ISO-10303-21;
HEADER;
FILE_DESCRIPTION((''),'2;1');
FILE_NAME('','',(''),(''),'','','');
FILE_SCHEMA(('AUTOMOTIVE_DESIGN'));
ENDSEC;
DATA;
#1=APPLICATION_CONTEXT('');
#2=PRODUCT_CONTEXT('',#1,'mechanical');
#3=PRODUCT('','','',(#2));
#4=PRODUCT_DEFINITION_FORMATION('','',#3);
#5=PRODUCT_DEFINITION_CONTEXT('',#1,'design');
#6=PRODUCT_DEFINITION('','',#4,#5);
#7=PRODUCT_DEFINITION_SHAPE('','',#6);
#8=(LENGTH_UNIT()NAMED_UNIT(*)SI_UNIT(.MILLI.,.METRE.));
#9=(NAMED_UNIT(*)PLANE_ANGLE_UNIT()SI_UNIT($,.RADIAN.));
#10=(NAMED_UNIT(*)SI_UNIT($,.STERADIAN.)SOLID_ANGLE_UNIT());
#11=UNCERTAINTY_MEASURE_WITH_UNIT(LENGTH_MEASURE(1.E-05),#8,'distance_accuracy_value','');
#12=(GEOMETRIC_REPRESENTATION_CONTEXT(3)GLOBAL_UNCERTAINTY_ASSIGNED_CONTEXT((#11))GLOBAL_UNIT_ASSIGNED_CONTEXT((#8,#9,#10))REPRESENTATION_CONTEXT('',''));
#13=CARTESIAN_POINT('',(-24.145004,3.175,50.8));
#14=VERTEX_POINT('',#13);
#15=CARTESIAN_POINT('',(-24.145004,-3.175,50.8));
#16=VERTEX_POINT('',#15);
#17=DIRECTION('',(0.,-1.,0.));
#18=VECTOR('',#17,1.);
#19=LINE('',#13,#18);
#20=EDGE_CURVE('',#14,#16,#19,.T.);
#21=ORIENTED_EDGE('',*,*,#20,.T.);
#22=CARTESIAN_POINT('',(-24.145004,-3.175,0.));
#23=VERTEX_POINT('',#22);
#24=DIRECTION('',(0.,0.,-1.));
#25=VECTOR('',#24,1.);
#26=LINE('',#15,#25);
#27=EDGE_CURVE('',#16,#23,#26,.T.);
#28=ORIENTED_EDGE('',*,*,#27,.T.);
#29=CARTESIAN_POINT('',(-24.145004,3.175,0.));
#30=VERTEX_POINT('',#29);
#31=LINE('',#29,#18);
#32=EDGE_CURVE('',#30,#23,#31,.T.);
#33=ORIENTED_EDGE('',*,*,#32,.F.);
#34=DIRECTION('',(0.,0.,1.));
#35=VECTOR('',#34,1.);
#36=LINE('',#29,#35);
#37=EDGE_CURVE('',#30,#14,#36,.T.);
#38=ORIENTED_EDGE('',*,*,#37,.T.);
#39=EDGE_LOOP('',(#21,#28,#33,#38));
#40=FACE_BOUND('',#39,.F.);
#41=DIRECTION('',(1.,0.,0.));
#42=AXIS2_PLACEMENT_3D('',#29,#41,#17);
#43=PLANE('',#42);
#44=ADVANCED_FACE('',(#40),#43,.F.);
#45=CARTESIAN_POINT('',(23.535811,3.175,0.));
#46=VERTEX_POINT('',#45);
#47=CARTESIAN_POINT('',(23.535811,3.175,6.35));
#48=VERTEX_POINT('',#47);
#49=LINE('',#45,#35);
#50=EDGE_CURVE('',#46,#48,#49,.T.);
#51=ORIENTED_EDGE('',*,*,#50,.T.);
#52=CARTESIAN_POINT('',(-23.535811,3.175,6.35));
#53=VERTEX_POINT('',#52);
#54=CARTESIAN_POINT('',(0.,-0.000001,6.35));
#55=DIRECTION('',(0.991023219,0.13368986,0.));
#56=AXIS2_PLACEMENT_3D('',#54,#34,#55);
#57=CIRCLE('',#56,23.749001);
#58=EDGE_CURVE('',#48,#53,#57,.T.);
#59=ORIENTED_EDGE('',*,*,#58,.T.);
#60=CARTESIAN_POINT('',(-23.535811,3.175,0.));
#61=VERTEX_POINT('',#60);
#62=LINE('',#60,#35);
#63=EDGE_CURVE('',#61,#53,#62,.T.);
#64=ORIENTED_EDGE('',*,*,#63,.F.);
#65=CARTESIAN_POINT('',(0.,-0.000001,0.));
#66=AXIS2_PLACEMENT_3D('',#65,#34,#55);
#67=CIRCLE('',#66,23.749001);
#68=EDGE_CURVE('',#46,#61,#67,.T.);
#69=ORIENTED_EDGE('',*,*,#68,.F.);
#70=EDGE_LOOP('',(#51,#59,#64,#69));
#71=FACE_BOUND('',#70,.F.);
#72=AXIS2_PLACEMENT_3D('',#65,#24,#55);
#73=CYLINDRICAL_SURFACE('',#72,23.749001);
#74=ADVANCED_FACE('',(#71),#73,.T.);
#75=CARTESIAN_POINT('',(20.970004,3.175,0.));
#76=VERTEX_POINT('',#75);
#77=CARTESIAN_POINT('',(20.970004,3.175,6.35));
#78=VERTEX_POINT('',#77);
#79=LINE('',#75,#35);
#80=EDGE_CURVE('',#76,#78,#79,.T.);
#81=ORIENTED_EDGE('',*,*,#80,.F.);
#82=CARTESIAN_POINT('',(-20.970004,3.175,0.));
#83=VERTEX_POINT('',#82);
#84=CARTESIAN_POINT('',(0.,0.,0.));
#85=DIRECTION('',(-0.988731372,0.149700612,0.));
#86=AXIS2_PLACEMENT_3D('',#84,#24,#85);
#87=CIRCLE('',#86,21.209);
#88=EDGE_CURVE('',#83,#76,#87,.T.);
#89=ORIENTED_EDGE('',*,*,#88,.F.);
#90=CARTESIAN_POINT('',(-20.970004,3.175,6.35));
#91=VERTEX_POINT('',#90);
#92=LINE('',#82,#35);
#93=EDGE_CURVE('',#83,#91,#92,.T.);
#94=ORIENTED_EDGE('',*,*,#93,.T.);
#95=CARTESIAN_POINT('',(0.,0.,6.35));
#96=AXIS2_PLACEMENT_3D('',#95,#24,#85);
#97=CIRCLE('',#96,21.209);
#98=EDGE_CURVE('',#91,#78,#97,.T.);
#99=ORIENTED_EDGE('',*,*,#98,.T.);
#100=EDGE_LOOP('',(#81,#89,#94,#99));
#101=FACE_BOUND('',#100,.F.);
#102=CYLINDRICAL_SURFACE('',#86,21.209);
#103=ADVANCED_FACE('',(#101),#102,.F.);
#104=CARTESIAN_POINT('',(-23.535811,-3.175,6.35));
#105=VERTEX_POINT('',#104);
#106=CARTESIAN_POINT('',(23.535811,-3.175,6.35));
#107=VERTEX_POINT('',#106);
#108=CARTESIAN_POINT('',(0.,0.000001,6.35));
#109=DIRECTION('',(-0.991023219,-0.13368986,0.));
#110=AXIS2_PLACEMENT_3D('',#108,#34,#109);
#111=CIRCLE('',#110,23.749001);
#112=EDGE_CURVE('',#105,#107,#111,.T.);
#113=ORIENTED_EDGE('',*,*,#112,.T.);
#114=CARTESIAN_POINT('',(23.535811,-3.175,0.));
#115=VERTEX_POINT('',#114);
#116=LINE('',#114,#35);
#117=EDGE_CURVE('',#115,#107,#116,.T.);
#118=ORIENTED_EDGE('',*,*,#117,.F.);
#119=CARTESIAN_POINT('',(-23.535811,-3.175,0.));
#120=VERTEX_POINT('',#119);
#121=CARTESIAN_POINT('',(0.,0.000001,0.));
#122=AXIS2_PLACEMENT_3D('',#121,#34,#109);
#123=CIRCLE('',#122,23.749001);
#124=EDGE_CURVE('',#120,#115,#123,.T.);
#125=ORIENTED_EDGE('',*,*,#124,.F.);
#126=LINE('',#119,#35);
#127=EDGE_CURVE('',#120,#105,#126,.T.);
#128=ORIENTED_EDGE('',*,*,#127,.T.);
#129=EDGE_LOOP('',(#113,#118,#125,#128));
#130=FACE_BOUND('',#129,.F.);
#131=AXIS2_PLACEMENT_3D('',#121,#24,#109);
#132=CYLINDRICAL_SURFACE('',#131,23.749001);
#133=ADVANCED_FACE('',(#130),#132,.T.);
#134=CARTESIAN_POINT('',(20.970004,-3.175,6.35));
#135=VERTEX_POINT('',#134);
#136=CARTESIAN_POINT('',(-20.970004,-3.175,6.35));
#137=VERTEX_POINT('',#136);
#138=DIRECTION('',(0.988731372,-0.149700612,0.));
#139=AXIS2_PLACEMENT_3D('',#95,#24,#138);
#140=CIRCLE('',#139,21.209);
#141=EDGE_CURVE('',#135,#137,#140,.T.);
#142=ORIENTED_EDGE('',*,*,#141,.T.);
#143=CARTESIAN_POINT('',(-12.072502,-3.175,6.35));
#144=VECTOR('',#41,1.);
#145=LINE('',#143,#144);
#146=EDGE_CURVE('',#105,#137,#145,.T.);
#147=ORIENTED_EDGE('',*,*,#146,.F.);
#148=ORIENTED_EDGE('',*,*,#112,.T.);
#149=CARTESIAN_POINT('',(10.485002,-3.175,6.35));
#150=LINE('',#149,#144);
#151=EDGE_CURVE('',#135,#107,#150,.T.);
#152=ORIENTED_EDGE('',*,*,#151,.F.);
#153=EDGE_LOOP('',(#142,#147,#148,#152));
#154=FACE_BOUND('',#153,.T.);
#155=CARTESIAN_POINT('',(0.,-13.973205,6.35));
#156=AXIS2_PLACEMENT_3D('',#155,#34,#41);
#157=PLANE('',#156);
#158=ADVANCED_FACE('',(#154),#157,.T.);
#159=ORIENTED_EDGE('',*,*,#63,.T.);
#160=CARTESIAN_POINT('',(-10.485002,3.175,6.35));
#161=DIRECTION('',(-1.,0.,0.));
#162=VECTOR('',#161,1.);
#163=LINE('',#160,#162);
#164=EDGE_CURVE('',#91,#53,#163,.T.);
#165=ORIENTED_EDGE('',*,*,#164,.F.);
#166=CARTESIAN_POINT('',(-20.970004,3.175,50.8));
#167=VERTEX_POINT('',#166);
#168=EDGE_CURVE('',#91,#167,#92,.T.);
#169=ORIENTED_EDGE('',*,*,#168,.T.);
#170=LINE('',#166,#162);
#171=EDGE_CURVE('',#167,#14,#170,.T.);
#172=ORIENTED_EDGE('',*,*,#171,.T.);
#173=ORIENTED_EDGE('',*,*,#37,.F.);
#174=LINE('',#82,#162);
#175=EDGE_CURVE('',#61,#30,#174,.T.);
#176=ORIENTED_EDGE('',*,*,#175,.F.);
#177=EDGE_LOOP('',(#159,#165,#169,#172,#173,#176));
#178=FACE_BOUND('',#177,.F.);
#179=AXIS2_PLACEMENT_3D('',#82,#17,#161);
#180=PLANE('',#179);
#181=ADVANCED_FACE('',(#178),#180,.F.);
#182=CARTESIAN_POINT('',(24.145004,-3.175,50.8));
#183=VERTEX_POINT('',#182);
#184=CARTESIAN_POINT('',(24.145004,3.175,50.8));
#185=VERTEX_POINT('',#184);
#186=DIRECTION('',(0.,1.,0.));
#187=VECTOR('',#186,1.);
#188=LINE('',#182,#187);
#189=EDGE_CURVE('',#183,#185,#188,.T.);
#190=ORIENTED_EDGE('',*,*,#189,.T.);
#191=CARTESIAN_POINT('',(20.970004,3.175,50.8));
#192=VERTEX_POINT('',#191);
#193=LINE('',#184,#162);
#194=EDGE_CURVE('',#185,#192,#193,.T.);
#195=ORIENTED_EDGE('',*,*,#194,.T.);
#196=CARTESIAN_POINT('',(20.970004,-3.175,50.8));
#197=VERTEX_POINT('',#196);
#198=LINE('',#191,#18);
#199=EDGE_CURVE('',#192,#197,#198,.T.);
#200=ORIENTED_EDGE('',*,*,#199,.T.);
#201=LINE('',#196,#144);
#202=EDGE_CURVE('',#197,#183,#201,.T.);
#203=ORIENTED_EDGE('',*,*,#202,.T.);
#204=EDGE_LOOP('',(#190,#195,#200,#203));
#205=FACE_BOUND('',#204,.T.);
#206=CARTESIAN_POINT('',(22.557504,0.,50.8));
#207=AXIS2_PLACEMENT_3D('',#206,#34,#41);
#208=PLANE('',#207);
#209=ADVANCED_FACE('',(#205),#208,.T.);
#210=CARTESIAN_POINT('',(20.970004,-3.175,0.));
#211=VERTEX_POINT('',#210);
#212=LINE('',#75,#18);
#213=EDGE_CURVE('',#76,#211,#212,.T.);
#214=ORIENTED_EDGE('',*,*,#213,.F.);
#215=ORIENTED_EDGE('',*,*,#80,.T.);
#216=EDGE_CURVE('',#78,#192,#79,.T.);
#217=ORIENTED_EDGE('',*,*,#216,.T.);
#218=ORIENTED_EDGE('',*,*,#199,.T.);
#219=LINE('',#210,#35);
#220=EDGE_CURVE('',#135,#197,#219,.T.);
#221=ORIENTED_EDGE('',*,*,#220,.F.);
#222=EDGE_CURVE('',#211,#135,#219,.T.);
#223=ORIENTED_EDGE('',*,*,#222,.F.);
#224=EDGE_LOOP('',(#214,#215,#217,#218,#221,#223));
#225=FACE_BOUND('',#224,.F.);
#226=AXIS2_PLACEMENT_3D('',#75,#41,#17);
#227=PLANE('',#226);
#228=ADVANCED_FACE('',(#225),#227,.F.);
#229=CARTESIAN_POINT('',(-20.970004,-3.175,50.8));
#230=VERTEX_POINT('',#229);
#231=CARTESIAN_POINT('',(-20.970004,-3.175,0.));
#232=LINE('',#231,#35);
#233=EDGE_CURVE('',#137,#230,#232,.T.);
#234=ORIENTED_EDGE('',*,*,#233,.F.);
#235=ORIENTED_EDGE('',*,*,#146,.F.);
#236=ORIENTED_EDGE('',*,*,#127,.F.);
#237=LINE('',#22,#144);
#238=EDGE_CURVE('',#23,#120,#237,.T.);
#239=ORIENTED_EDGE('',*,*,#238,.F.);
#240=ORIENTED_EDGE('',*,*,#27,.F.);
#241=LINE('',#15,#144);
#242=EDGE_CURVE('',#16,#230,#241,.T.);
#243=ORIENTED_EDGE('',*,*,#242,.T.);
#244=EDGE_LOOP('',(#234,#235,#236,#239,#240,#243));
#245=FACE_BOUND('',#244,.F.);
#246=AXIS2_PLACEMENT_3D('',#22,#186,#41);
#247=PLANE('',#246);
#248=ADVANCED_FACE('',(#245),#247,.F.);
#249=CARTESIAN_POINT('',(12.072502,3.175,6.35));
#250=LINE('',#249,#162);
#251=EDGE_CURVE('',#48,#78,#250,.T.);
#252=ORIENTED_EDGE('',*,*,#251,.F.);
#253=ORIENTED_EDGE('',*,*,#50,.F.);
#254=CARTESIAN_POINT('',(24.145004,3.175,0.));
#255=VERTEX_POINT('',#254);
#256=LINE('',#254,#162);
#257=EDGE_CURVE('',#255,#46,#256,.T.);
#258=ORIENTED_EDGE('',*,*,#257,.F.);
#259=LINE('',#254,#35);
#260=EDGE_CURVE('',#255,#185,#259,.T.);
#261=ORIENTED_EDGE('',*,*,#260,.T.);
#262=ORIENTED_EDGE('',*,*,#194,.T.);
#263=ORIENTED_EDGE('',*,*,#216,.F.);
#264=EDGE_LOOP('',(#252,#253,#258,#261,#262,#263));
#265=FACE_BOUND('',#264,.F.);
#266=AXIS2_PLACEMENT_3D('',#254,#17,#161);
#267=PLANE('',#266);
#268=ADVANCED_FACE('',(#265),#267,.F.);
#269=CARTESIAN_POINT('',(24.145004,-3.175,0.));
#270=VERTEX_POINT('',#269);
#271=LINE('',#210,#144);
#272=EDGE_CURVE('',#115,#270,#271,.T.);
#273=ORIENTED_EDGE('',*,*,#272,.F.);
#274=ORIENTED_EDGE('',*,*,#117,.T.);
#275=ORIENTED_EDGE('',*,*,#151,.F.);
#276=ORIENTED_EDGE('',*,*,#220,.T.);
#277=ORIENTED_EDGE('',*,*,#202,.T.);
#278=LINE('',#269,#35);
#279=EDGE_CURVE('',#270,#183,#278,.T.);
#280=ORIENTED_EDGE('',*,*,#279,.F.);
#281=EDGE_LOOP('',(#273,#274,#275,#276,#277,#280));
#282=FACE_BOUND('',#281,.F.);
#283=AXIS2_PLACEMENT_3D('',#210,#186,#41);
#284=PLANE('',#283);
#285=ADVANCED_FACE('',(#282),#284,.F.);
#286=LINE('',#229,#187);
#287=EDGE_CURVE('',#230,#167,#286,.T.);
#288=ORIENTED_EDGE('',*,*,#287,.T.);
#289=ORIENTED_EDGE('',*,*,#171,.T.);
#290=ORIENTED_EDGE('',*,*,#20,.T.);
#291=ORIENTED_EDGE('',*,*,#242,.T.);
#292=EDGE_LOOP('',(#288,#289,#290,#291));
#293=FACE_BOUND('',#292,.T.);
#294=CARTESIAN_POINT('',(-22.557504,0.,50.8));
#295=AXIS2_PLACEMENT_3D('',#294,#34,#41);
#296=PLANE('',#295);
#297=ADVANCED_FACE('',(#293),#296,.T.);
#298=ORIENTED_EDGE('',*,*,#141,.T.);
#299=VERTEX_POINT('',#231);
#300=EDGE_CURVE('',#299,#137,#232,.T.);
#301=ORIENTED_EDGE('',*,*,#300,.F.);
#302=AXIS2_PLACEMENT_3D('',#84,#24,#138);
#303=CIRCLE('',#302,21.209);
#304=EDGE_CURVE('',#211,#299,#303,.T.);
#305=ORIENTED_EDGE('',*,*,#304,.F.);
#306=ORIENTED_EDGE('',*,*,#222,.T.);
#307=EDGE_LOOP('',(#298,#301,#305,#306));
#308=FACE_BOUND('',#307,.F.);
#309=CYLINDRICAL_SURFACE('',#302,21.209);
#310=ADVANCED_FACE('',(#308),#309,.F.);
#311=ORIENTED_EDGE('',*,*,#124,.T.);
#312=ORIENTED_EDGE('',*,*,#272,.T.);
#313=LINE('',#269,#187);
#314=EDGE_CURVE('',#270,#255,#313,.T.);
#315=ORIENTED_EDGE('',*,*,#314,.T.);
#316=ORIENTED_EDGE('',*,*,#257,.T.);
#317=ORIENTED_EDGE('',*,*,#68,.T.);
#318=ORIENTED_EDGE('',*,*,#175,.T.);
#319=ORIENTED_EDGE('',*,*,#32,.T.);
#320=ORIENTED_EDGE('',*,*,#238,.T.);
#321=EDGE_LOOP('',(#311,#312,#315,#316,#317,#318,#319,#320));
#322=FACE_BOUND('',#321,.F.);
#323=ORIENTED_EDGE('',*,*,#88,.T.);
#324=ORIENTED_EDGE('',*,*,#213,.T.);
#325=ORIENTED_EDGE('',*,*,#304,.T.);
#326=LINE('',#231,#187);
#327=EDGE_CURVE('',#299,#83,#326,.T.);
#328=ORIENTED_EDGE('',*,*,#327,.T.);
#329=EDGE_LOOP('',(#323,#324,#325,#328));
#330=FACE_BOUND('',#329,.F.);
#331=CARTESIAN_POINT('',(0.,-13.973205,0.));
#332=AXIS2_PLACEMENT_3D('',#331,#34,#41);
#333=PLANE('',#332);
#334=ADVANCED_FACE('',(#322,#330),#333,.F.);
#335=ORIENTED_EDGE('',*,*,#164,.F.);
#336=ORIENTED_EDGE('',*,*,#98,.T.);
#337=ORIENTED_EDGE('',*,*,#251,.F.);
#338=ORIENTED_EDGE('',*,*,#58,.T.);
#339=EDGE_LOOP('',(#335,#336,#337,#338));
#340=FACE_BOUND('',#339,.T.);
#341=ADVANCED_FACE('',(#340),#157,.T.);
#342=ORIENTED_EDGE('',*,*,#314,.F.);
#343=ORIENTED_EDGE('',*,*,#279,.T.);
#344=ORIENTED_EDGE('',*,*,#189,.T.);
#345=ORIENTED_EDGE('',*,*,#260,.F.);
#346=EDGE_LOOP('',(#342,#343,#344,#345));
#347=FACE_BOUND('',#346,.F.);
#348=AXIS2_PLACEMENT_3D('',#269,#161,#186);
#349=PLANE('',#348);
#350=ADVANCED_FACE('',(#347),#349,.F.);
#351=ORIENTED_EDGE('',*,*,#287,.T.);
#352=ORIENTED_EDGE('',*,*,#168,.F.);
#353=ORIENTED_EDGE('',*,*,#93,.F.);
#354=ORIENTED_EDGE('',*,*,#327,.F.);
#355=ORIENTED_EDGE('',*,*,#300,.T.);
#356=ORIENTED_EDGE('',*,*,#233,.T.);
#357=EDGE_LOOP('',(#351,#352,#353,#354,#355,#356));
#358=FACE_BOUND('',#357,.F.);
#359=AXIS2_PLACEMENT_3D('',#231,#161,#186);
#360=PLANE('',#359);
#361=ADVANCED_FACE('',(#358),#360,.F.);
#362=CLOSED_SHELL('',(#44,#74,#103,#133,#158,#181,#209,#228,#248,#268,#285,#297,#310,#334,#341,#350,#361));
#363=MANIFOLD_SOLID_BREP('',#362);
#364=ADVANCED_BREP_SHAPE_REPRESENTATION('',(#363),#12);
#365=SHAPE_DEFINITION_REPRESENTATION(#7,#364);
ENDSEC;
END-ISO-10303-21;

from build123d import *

# Parameters (mm, degrees)
F1_DEPTH = 50.8
F2_DEPTH = 6.35


with BuildPart() as f1:
    # F0 (on Top) → F1 (new body)
    with BuildSketch(Plane.XY):
        Polygon((-23.535811, -3.175), (-20.970004, -3.175), (-20.970004, 3.175), (-23.535811, 3.175), (-24.145004, 3.175), (-24.145004, -3.175), align=None)
        Polygon((20.970004, 3.175), (20.970004, -3.175), (23.535811, -3.175), (24.145004, -3.175), (24.145004, 3.175), (23.535811, 3.175), align=None)
    extrude(amount=F1_DEPTH)

    # F0 (on Top) → F2 (join)
    with BuildSketch(Plane.XY):
        with BuildLine():
            ThreePointArc((20.970004, -3.175), (0, -21.209), (-20.970004, -3.175))
            Line((-20.970004, -3.175), (-23.535811, -3.175))
            ThreePointArc((-23.535811, -3.175), (0, -23.749), (23.535811, -3.175))
            Line((23.535811, -3.175), (20.970004, -3.175))
        make_face()
        Polygon((-23.535811, -3.175), (-20.970004, -3.175), (-20.970004, 3.175), (-23.535811, 3.175), (-24.145004, 3.175), (-24.145004, -3.175), align=None)
        Polygon((20.970004, 3.175), (20.970004, -3.175), (23.535811, -3.175), (24.145004, -3.175), (24.145004, 3.175), (23.535811, 3.175), align=None)
        with BuildLine():
            Line((-23.535811, 3.175), (-20.970004, 3.175))
            ThreePointArc((-20.970004, 3.175), (0, 21.209), (20.970004, 3.175))
            Line((20.970004, 3.175), (23.535811, 3.175))
            ThreePointArc((23.535811, 3.175), (0, 23.749), (-23.535811, 3.175))
        make_face()
    extrude(amount=F2_DEPTH)


solid = f1.part
